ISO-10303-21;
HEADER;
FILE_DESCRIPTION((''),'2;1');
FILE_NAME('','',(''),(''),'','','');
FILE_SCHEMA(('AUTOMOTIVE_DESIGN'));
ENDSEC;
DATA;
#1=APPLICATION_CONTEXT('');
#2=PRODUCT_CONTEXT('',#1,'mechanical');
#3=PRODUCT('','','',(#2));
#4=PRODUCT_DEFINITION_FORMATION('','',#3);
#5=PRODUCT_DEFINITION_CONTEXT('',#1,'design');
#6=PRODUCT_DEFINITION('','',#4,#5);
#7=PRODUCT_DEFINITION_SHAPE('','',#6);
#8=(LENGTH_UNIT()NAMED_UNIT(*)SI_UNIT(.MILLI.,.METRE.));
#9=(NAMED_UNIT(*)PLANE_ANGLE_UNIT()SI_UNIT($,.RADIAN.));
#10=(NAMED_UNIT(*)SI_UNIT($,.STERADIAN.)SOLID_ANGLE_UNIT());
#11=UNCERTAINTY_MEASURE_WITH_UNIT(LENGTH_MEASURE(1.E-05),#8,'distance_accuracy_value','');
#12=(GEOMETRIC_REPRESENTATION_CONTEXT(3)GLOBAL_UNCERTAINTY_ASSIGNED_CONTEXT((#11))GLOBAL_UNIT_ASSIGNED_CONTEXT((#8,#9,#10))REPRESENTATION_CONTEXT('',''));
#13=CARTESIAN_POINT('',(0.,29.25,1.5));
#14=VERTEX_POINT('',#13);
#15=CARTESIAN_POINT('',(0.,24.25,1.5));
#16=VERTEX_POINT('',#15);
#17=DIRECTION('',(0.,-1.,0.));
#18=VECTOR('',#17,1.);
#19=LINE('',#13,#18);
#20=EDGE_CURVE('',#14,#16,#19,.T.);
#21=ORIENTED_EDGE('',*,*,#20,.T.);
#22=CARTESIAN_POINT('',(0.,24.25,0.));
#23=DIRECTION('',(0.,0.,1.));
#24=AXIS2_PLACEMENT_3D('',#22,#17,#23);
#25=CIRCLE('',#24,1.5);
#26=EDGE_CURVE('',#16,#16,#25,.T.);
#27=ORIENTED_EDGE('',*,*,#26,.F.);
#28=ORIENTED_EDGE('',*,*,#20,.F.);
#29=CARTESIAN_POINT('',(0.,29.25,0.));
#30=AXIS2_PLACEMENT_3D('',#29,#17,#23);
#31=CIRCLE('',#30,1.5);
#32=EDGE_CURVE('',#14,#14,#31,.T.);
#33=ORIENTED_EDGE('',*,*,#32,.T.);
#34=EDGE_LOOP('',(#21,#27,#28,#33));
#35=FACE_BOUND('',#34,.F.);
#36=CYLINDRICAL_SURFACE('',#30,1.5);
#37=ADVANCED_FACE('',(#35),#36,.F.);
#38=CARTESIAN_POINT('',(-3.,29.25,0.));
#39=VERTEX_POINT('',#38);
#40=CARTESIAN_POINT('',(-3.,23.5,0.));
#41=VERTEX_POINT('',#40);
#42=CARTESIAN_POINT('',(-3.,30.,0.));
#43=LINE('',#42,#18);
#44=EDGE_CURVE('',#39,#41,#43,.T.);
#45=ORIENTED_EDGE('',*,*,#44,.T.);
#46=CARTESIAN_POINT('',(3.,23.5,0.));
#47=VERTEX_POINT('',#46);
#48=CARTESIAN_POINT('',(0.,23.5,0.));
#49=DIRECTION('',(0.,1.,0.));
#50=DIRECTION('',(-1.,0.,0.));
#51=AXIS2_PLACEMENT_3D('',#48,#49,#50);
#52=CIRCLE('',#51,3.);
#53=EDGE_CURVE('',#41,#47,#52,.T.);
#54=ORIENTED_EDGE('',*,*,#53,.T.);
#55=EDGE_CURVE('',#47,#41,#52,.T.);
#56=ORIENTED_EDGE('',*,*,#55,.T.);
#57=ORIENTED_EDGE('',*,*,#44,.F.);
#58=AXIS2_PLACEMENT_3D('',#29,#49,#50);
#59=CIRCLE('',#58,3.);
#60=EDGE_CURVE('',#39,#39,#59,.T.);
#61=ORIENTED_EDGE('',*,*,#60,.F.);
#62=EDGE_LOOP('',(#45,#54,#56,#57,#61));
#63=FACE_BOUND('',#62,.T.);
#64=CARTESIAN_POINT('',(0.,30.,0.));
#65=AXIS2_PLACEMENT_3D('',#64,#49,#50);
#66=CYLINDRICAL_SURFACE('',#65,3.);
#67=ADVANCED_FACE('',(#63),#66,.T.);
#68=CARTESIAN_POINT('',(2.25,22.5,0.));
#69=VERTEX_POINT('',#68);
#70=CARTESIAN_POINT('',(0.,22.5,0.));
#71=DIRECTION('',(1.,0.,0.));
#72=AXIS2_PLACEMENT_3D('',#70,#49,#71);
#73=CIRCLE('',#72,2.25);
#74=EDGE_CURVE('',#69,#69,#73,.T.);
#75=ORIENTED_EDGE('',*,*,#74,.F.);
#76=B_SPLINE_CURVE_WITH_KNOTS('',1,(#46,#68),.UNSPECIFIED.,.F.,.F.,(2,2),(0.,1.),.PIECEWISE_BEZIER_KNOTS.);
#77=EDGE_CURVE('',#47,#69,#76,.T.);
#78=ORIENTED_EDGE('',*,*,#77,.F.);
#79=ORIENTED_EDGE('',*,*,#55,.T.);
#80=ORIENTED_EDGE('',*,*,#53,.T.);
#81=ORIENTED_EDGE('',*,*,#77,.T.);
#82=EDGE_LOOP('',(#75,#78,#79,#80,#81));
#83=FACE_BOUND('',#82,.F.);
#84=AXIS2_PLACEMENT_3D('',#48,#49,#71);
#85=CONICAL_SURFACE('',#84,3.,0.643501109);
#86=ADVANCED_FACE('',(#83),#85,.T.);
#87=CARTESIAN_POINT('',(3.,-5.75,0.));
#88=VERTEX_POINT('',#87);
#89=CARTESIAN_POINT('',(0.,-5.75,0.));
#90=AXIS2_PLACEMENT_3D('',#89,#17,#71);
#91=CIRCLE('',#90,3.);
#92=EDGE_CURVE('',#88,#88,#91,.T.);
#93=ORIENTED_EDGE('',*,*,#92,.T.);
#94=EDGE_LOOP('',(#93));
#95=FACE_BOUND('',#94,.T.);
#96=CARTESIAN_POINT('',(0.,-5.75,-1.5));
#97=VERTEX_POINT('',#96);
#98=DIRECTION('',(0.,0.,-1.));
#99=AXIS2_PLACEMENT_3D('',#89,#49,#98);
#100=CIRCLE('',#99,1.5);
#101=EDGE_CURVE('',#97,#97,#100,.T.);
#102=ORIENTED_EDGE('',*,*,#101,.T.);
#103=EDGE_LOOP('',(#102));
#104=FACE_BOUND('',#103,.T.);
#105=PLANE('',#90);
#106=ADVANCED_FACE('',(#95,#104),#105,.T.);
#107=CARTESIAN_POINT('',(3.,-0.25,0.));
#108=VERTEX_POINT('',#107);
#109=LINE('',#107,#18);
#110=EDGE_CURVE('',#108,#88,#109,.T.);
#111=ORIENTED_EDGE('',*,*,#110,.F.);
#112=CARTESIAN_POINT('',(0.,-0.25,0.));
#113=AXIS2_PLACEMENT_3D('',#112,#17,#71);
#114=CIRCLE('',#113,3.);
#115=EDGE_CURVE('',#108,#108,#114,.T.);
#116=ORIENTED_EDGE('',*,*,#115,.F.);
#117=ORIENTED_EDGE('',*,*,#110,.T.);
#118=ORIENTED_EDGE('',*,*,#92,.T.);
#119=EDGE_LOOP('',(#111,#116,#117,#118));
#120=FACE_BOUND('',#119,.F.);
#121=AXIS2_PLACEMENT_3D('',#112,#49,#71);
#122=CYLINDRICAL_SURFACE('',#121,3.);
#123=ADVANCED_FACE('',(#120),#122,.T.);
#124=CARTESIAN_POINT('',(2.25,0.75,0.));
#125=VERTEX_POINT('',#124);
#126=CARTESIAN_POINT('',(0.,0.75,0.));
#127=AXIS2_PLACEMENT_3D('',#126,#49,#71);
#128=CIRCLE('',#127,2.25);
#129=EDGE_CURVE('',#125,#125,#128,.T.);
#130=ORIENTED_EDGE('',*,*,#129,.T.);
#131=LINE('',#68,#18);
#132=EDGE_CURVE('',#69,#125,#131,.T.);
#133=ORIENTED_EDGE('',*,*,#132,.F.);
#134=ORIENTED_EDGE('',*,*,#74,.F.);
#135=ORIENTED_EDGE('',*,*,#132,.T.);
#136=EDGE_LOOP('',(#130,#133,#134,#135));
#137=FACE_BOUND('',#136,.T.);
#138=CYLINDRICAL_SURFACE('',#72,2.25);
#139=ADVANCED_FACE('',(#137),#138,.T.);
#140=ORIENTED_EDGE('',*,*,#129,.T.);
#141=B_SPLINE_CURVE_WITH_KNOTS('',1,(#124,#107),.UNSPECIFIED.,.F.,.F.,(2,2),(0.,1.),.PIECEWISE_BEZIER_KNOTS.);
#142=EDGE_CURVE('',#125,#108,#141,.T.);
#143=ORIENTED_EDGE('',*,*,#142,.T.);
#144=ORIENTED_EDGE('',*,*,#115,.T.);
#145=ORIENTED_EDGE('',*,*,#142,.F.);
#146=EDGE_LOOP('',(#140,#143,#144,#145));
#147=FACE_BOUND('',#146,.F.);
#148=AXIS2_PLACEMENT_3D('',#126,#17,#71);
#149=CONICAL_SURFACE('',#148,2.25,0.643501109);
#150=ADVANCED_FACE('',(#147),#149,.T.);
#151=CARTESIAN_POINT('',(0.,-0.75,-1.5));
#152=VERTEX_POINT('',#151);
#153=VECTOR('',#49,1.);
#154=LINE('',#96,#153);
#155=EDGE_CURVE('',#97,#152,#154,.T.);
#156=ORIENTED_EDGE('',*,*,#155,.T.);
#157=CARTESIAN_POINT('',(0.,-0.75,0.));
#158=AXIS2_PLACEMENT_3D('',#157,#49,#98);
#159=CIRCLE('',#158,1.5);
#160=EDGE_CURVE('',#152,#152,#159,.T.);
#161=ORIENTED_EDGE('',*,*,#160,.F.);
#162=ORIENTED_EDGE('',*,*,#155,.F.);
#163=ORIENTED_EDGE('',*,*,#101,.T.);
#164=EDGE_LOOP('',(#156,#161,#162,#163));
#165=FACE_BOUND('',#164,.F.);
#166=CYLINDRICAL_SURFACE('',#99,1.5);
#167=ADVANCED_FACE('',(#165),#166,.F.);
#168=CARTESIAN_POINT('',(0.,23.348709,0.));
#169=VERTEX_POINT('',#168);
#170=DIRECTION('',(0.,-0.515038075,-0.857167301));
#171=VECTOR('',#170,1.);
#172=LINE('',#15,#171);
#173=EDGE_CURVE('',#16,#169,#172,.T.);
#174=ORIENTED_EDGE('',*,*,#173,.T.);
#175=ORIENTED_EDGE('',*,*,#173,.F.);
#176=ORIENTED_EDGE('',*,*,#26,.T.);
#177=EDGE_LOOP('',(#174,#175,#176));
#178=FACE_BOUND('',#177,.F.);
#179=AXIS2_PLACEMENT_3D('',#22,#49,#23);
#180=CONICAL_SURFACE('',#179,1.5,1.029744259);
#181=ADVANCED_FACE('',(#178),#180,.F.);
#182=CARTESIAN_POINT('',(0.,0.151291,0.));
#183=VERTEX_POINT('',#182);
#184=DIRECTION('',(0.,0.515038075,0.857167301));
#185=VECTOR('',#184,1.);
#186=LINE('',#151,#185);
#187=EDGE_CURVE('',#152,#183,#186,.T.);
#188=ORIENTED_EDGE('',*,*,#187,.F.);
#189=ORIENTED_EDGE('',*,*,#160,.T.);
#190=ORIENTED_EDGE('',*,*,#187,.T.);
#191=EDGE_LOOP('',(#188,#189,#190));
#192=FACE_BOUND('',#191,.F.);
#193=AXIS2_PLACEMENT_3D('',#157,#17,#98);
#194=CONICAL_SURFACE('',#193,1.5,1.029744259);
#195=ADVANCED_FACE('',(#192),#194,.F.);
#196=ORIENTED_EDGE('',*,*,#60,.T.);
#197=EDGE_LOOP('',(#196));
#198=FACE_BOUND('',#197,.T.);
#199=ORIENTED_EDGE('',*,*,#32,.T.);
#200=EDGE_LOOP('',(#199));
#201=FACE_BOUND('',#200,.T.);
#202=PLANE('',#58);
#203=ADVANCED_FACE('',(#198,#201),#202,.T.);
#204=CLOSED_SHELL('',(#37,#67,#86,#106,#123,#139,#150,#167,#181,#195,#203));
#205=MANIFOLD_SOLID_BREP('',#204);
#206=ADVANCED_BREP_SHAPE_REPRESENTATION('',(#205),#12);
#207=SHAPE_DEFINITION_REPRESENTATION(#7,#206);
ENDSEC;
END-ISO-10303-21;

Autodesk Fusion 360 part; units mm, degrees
sketch "Sketch2" plane through (0, 30, 0) normal (0, 1, 0) x (-1, 0, 0)
  circle A0 centre (0, 0) radius 3
  circle A1 centre (0, 0) radius 3
ref_plane "WorkPlane1" through (0, 23.5, 0) normal (0, 1, 0) x (-1, 0, 0)
ref_plane "WorkPlane2" through (0, 22.5, 0) normal (0, 1, 0) x (-1, 0, 0)
sketch "Sketch3" plane through (0, 22.5, 0) normal (0, 1, 0) x (1, 0, 0)
  circle A0 centre (0, 0) radius 2.25
  dimension "d12" = 4.5
sketch "Sketch4" plane through (0, 23.5, 0) normal (0, 1, 0) x (1, 0, 0)
  circle A0 centre (0, 0) radius 3
  dimension "d13" = 6
extrude "Extrude2" add sketch "Sketch2" against normal blind 6.5
loft "Loft1" add profiles "Sketch4", "Sketch3" section 1 section 2
extrude "Extrude3" add 1 faces at (-0.1619, 22.5, 0.6982) along direction (0, -1, 0) blind 21.75
ref_plane "WorkPlane3" through (0, -0.25, 0) normal (0, -1, 0) x (0, 0, -1)
sketch "Sketch5" plane through (0, -0.25, 0) normal (0, -1, 0) x (1, 0, 0)
  circle A0 centre (0, 0) radius 3
  dimension "d19" = 6
loft "Loft2" add profiles "Sketch5" section 1 face at (-0.1619, 0.75, 0.6982) section 2
extrude "Extrude4" add 1 faces at (-1.1591, -0.25, 0.5829) along direction (0, -1, 0) blind 5.5
extrude "Extrude5" cut 1 faces at (1.1591, 30, 0.5829) along direction (0, -1, 0) blind 0.75
hole "Hole3" at (0, 29.25, 0) direction (0, -1, 0) diameter 3 depth 5 tip angle 118
hole "Hole4" at (0, -5.75, 0) direction (0, 1, 0) diameter 3 depth 5 tip angle 118
thread "Thread3"
thread "Thread4"
